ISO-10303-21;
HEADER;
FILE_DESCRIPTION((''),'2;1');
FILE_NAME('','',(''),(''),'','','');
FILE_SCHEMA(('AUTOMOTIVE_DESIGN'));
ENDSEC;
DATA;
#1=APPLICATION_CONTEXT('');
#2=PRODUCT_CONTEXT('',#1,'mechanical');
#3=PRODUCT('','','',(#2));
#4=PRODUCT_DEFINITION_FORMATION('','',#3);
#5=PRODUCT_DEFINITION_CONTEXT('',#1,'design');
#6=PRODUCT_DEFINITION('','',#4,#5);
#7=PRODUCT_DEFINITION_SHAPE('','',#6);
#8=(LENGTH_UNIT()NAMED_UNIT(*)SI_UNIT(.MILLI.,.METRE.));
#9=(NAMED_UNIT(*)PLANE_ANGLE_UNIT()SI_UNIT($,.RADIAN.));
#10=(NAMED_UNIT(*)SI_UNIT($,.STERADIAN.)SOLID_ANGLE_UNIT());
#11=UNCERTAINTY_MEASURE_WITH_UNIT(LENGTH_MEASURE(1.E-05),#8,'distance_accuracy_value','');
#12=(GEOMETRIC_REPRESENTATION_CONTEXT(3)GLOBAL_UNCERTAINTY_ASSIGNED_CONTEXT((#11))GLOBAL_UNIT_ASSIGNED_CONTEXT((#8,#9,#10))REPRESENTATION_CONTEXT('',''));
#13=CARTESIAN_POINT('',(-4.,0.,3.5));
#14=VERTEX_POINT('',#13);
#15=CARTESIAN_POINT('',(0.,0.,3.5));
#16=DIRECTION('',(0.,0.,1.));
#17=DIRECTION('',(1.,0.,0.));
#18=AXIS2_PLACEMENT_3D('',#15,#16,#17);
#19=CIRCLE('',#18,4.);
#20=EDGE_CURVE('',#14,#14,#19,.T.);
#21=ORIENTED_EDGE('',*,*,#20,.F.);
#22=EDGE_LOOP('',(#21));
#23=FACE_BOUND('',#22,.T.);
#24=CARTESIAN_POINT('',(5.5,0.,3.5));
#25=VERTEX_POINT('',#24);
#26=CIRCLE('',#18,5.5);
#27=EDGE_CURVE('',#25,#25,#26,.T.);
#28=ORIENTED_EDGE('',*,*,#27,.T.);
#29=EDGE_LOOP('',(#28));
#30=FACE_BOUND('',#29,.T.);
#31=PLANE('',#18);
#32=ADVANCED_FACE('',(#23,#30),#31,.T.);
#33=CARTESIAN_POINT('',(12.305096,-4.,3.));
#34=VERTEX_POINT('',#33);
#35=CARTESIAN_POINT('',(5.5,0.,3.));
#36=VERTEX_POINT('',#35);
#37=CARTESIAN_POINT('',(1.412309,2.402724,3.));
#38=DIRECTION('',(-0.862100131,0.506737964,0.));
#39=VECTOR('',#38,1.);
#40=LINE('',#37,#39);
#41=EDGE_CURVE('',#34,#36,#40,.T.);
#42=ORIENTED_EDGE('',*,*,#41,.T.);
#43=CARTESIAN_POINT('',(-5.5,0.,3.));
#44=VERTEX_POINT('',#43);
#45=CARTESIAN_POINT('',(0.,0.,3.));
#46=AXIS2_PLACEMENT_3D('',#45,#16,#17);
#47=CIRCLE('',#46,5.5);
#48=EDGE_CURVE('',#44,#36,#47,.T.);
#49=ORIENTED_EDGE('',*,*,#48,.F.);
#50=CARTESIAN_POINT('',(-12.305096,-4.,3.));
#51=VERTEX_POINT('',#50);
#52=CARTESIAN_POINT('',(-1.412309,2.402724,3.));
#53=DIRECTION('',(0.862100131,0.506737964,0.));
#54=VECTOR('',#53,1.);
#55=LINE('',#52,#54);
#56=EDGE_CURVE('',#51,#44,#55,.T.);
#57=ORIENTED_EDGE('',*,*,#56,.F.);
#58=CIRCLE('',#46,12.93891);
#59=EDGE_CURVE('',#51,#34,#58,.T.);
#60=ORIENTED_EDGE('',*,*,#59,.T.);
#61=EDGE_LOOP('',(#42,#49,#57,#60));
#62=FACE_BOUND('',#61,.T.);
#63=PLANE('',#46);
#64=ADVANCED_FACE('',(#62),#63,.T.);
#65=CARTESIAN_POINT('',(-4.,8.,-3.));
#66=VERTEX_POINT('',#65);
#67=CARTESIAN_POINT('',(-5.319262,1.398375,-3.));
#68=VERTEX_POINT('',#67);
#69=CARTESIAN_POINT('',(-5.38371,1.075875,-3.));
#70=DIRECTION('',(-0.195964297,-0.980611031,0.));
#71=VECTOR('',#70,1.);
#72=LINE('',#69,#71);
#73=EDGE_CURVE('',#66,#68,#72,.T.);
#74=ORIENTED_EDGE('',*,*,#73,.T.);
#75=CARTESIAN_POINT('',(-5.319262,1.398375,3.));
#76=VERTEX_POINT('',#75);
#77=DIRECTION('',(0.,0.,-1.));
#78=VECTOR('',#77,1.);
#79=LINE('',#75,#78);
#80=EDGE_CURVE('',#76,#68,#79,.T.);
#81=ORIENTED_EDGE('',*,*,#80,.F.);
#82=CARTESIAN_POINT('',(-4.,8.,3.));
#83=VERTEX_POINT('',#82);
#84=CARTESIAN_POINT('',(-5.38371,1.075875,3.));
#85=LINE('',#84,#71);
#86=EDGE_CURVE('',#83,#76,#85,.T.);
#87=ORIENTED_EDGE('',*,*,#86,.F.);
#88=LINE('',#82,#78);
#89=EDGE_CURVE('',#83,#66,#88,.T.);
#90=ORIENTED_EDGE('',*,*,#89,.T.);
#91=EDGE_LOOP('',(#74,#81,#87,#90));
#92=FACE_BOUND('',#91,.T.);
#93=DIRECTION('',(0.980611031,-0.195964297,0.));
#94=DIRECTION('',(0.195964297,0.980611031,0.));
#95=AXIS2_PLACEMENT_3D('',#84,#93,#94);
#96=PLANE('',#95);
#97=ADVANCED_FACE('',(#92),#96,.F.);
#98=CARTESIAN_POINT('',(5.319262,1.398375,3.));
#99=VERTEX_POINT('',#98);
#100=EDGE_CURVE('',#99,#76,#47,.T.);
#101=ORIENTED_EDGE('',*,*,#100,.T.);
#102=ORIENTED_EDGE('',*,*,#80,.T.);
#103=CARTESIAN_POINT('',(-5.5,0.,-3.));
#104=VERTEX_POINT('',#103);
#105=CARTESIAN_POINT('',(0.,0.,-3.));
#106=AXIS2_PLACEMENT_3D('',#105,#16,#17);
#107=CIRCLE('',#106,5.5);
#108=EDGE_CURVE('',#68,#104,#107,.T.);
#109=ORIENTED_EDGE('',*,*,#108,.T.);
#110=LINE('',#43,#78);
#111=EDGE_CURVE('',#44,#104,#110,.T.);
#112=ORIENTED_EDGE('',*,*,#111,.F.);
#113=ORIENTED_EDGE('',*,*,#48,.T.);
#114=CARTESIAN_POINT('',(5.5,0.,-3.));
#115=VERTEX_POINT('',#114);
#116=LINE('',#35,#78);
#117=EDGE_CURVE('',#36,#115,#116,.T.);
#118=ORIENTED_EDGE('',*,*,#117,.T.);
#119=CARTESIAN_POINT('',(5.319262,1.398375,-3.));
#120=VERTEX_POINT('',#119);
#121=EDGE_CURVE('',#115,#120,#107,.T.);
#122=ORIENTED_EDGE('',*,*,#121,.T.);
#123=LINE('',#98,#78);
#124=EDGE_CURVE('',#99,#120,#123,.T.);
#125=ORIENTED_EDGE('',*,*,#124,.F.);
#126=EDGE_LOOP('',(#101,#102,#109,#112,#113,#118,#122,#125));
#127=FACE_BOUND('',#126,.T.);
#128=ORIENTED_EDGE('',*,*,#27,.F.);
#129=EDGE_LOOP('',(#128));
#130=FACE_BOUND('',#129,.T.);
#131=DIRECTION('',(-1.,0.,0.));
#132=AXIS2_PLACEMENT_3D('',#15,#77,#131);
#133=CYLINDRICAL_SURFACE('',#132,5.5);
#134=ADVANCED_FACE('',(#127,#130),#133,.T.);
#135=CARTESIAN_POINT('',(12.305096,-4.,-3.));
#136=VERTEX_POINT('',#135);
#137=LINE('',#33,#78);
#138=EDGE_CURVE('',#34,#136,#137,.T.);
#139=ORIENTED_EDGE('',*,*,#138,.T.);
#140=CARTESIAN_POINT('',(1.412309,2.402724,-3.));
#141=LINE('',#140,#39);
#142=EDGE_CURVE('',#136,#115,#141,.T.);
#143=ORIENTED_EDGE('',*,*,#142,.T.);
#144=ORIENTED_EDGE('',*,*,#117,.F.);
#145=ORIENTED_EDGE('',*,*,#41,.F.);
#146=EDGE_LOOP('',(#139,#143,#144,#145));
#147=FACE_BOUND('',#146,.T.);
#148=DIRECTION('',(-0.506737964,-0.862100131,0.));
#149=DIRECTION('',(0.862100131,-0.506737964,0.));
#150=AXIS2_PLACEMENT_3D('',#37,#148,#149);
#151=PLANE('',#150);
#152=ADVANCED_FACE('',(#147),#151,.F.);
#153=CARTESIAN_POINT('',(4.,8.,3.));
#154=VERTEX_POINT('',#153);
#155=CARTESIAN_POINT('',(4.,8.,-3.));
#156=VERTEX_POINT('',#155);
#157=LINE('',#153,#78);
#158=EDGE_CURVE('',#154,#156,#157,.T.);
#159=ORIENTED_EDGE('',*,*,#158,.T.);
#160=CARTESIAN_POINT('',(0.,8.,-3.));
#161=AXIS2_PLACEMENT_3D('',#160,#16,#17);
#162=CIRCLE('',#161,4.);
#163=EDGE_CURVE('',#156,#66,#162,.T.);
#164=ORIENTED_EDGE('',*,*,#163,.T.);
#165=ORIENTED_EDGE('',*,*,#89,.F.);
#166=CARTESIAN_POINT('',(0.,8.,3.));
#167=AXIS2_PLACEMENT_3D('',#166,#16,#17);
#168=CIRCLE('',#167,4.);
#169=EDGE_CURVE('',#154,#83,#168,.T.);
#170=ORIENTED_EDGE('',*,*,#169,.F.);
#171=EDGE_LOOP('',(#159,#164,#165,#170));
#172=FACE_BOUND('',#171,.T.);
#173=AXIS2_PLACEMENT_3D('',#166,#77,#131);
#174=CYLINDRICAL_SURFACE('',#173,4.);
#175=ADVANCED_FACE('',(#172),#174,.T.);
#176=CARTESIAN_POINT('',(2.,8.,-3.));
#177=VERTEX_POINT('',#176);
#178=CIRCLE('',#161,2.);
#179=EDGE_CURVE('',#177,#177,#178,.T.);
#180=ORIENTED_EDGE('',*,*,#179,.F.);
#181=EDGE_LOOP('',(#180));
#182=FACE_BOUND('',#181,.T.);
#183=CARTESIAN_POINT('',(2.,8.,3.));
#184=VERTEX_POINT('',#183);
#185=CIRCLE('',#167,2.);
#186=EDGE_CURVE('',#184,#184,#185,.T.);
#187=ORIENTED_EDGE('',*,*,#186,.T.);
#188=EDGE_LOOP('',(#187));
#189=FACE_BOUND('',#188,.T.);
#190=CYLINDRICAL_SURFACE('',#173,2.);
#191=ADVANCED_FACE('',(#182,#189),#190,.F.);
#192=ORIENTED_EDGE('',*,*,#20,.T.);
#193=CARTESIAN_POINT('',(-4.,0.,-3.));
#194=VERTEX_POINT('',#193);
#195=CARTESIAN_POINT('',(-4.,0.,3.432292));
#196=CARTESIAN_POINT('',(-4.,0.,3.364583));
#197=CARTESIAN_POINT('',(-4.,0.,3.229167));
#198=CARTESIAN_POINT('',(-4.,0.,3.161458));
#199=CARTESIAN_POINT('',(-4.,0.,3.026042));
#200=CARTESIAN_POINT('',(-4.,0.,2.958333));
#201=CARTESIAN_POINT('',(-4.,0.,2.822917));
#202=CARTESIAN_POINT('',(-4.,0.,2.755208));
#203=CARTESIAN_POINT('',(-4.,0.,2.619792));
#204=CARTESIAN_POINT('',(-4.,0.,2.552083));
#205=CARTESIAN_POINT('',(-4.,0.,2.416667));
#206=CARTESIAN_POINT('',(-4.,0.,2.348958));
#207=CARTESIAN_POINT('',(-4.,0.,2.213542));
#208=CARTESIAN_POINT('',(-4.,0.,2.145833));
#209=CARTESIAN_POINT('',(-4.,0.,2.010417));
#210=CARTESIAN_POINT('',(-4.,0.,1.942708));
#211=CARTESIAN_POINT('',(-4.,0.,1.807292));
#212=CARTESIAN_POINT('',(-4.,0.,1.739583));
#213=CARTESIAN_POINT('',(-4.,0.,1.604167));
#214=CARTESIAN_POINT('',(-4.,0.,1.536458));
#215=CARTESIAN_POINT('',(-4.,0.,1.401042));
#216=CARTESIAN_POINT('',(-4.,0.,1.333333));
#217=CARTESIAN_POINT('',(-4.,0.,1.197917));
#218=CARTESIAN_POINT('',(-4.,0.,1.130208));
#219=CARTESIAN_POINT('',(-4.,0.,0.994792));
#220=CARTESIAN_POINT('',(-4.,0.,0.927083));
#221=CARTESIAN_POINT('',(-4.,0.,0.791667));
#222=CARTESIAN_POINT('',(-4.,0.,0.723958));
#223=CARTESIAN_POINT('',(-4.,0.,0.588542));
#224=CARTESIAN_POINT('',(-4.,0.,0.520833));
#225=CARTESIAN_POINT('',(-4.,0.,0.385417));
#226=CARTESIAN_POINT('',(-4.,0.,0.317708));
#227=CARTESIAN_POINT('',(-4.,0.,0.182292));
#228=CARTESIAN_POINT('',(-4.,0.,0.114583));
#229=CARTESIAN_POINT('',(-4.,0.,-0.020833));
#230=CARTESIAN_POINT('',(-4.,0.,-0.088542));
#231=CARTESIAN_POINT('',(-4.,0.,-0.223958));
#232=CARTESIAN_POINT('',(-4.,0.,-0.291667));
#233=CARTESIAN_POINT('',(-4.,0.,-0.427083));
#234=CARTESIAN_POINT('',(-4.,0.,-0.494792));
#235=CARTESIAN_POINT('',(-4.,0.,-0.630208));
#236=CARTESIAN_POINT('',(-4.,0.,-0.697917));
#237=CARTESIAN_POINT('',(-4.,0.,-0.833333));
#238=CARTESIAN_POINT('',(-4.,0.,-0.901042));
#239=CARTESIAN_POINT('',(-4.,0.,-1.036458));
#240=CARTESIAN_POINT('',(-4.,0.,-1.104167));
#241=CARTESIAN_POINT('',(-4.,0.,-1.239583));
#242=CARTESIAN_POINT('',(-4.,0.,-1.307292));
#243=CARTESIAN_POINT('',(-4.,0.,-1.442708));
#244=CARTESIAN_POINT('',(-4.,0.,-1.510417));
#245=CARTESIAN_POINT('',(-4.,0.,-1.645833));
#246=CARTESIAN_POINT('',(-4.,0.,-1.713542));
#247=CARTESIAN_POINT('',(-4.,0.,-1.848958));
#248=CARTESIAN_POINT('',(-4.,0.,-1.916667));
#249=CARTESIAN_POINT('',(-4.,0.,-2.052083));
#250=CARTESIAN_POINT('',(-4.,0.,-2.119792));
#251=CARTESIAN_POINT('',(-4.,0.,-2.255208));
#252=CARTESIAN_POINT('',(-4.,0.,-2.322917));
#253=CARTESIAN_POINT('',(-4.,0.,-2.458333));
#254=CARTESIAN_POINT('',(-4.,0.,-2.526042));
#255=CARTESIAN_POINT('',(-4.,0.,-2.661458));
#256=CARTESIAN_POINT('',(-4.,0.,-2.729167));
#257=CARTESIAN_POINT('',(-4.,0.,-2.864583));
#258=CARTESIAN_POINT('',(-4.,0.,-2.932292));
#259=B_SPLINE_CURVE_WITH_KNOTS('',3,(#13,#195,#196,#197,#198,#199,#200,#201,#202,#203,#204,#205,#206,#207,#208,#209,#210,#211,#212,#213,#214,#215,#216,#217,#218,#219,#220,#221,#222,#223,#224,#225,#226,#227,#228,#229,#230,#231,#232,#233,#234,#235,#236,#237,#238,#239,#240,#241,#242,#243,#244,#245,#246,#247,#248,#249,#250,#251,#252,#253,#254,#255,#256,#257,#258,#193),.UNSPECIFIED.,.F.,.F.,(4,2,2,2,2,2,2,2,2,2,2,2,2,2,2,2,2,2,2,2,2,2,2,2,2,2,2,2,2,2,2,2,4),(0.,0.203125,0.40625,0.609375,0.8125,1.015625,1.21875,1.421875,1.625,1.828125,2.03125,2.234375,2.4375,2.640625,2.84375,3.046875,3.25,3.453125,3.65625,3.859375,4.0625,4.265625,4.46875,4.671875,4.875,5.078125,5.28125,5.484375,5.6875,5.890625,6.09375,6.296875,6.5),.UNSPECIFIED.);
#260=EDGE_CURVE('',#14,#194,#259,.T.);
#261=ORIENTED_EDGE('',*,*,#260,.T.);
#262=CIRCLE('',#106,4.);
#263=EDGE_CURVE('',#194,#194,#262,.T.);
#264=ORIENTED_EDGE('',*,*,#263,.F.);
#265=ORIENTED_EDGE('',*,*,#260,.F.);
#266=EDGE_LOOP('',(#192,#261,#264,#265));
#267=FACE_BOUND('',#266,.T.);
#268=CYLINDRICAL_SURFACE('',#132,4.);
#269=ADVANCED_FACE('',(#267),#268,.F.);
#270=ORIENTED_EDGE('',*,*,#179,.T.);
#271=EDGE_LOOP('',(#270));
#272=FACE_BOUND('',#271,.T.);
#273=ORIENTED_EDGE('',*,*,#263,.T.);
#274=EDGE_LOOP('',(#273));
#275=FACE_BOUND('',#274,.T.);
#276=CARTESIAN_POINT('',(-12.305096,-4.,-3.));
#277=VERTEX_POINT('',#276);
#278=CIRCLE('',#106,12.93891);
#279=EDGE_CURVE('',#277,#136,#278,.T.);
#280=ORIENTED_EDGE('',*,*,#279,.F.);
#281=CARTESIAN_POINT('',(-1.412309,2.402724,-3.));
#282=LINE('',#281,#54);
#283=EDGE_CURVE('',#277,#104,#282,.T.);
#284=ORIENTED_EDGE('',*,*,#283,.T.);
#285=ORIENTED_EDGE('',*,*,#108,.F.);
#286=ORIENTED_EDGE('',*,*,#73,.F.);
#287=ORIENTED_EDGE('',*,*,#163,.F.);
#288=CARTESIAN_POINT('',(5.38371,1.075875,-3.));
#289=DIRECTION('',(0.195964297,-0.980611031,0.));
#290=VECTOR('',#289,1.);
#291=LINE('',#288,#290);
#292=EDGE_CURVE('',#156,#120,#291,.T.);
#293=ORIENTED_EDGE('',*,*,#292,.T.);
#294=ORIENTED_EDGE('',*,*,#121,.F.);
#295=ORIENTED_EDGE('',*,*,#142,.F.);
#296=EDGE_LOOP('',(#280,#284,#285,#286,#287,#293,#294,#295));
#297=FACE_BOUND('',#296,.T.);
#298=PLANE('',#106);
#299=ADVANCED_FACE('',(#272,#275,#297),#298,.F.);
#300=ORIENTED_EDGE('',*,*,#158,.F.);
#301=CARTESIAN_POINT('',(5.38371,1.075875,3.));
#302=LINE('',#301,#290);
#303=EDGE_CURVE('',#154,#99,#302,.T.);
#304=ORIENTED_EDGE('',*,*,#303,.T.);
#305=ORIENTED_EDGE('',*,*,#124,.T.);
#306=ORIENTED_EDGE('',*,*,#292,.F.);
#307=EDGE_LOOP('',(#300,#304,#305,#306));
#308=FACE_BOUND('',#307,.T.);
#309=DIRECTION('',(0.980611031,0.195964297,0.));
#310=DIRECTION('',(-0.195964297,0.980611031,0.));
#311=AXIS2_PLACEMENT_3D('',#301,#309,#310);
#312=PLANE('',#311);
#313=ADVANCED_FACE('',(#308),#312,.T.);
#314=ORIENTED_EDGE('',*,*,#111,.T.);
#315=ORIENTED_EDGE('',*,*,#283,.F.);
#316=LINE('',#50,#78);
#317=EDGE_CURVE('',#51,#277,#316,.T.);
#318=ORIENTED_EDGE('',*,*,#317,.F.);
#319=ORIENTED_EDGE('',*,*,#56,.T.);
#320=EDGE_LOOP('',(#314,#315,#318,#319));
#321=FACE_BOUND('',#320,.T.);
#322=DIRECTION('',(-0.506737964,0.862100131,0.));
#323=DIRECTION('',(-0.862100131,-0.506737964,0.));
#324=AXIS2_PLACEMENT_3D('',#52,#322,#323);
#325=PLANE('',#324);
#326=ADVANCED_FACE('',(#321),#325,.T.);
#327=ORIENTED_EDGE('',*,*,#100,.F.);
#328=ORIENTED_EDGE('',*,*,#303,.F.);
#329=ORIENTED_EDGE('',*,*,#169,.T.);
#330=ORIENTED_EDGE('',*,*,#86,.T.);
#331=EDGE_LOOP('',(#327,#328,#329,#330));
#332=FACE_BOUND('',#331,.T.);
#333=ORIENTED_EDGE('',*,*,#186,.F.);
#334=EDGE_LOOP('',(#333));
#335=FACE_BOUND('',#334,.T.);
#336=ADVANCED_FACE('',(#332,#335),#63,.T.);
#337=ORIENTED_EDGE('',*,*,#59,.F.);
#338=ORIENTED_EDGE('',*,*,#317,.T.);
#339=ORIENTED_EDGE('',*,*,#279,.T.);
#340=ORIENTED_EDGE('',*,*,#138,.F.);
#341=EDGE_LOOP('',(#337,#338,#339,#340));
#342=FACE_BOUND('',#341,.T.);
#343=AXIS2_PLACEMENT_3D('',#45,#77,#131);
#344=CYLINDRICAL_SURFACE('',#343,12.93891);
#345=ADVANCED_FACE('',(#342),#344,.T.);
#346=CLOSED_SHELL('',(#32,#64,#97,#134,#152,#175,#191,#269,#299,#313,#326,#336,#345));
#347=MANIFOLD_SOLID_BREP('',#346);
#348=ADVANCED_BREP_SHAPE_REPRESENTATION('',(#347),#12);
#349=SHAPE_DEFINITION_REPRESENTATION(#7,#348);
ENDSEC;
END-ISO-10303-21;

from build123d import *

# Parameters (mm, degrees)
BOSS_EXTRUDE1_DEPTH   = 3
SKETCH1_R             = 2
BOSS_EXTRUDE1_2_DEPTH = 3
BOSS_EXTRUDE2_START   = 3.5
SKETCH1_3_R           = 5.5
SKETCH1_3_R_2         = 4
BOSS_EXTRUDE2_DEPTH   = 6.5


with BuildPart() as part:
    # Sketch1 → Boss-Extrude1 (new, symmetric)
    with BuildSketch(Plane.XY):
        with BuildLine():
            Line((-5.5, 0), (-12.30509606, -4))
            ThreePointArc((-12.30509606, -4), (0, -12.938909887), (12.30509606, -4))
            Line((12.30509606, -4), (5.5, 0))
            ThreePointArc((5.5, 0), (0, -5.5), (-5.5, 0))
        make_face()
    extrude(amount=BOSS_EXTRUDE1_DEPTH, both=True)



with BuildPart() as body_2:
    # Sketch1 → Boss-Extrude1 2 (new, symmetric)
    with BuildSketch(Plane.XY):
        with BuildLine():
            Line((-4, 8), (-5.319261969, 1.398374808))
            ThreePointArc((-5.319261969, 1.398374808), (0, 5.5), (5.319261969, 1.398374808))
            Line((5.319261969, 1.398374808), (4, 8))
            ThreePointArc((4, 8), (0, 12), (-4, 8))
        make_face()
        with Locations((0, 8)):
            Circle(SKETCH1_R, mode=Mode.SUBTRACT)
    extrude(amount=BOSS_EXTRUDE1_2_DEPTH, both=True)


with BuildPart() as part_1:
    add(part.part)

    add(body_2.part)  # Boss-Extrude2 merges body 2
    # Sketch1<3> → Boss-Extrude2 (add)
    with BuildSketch(Plane.XY.offset(BOSS_EXTRUDE2_START)):
        Circle(SKETCH1_3_R)
        with Locations(Location((0, 0, 0), (0, 0, 180))):
            Circle(SKETCH1_3_R_2, mode=Mode.SUBTRACT)
    extrude(amount=-BOSS_EXTRUDE2_DEPTH)


solid = part_1.part
